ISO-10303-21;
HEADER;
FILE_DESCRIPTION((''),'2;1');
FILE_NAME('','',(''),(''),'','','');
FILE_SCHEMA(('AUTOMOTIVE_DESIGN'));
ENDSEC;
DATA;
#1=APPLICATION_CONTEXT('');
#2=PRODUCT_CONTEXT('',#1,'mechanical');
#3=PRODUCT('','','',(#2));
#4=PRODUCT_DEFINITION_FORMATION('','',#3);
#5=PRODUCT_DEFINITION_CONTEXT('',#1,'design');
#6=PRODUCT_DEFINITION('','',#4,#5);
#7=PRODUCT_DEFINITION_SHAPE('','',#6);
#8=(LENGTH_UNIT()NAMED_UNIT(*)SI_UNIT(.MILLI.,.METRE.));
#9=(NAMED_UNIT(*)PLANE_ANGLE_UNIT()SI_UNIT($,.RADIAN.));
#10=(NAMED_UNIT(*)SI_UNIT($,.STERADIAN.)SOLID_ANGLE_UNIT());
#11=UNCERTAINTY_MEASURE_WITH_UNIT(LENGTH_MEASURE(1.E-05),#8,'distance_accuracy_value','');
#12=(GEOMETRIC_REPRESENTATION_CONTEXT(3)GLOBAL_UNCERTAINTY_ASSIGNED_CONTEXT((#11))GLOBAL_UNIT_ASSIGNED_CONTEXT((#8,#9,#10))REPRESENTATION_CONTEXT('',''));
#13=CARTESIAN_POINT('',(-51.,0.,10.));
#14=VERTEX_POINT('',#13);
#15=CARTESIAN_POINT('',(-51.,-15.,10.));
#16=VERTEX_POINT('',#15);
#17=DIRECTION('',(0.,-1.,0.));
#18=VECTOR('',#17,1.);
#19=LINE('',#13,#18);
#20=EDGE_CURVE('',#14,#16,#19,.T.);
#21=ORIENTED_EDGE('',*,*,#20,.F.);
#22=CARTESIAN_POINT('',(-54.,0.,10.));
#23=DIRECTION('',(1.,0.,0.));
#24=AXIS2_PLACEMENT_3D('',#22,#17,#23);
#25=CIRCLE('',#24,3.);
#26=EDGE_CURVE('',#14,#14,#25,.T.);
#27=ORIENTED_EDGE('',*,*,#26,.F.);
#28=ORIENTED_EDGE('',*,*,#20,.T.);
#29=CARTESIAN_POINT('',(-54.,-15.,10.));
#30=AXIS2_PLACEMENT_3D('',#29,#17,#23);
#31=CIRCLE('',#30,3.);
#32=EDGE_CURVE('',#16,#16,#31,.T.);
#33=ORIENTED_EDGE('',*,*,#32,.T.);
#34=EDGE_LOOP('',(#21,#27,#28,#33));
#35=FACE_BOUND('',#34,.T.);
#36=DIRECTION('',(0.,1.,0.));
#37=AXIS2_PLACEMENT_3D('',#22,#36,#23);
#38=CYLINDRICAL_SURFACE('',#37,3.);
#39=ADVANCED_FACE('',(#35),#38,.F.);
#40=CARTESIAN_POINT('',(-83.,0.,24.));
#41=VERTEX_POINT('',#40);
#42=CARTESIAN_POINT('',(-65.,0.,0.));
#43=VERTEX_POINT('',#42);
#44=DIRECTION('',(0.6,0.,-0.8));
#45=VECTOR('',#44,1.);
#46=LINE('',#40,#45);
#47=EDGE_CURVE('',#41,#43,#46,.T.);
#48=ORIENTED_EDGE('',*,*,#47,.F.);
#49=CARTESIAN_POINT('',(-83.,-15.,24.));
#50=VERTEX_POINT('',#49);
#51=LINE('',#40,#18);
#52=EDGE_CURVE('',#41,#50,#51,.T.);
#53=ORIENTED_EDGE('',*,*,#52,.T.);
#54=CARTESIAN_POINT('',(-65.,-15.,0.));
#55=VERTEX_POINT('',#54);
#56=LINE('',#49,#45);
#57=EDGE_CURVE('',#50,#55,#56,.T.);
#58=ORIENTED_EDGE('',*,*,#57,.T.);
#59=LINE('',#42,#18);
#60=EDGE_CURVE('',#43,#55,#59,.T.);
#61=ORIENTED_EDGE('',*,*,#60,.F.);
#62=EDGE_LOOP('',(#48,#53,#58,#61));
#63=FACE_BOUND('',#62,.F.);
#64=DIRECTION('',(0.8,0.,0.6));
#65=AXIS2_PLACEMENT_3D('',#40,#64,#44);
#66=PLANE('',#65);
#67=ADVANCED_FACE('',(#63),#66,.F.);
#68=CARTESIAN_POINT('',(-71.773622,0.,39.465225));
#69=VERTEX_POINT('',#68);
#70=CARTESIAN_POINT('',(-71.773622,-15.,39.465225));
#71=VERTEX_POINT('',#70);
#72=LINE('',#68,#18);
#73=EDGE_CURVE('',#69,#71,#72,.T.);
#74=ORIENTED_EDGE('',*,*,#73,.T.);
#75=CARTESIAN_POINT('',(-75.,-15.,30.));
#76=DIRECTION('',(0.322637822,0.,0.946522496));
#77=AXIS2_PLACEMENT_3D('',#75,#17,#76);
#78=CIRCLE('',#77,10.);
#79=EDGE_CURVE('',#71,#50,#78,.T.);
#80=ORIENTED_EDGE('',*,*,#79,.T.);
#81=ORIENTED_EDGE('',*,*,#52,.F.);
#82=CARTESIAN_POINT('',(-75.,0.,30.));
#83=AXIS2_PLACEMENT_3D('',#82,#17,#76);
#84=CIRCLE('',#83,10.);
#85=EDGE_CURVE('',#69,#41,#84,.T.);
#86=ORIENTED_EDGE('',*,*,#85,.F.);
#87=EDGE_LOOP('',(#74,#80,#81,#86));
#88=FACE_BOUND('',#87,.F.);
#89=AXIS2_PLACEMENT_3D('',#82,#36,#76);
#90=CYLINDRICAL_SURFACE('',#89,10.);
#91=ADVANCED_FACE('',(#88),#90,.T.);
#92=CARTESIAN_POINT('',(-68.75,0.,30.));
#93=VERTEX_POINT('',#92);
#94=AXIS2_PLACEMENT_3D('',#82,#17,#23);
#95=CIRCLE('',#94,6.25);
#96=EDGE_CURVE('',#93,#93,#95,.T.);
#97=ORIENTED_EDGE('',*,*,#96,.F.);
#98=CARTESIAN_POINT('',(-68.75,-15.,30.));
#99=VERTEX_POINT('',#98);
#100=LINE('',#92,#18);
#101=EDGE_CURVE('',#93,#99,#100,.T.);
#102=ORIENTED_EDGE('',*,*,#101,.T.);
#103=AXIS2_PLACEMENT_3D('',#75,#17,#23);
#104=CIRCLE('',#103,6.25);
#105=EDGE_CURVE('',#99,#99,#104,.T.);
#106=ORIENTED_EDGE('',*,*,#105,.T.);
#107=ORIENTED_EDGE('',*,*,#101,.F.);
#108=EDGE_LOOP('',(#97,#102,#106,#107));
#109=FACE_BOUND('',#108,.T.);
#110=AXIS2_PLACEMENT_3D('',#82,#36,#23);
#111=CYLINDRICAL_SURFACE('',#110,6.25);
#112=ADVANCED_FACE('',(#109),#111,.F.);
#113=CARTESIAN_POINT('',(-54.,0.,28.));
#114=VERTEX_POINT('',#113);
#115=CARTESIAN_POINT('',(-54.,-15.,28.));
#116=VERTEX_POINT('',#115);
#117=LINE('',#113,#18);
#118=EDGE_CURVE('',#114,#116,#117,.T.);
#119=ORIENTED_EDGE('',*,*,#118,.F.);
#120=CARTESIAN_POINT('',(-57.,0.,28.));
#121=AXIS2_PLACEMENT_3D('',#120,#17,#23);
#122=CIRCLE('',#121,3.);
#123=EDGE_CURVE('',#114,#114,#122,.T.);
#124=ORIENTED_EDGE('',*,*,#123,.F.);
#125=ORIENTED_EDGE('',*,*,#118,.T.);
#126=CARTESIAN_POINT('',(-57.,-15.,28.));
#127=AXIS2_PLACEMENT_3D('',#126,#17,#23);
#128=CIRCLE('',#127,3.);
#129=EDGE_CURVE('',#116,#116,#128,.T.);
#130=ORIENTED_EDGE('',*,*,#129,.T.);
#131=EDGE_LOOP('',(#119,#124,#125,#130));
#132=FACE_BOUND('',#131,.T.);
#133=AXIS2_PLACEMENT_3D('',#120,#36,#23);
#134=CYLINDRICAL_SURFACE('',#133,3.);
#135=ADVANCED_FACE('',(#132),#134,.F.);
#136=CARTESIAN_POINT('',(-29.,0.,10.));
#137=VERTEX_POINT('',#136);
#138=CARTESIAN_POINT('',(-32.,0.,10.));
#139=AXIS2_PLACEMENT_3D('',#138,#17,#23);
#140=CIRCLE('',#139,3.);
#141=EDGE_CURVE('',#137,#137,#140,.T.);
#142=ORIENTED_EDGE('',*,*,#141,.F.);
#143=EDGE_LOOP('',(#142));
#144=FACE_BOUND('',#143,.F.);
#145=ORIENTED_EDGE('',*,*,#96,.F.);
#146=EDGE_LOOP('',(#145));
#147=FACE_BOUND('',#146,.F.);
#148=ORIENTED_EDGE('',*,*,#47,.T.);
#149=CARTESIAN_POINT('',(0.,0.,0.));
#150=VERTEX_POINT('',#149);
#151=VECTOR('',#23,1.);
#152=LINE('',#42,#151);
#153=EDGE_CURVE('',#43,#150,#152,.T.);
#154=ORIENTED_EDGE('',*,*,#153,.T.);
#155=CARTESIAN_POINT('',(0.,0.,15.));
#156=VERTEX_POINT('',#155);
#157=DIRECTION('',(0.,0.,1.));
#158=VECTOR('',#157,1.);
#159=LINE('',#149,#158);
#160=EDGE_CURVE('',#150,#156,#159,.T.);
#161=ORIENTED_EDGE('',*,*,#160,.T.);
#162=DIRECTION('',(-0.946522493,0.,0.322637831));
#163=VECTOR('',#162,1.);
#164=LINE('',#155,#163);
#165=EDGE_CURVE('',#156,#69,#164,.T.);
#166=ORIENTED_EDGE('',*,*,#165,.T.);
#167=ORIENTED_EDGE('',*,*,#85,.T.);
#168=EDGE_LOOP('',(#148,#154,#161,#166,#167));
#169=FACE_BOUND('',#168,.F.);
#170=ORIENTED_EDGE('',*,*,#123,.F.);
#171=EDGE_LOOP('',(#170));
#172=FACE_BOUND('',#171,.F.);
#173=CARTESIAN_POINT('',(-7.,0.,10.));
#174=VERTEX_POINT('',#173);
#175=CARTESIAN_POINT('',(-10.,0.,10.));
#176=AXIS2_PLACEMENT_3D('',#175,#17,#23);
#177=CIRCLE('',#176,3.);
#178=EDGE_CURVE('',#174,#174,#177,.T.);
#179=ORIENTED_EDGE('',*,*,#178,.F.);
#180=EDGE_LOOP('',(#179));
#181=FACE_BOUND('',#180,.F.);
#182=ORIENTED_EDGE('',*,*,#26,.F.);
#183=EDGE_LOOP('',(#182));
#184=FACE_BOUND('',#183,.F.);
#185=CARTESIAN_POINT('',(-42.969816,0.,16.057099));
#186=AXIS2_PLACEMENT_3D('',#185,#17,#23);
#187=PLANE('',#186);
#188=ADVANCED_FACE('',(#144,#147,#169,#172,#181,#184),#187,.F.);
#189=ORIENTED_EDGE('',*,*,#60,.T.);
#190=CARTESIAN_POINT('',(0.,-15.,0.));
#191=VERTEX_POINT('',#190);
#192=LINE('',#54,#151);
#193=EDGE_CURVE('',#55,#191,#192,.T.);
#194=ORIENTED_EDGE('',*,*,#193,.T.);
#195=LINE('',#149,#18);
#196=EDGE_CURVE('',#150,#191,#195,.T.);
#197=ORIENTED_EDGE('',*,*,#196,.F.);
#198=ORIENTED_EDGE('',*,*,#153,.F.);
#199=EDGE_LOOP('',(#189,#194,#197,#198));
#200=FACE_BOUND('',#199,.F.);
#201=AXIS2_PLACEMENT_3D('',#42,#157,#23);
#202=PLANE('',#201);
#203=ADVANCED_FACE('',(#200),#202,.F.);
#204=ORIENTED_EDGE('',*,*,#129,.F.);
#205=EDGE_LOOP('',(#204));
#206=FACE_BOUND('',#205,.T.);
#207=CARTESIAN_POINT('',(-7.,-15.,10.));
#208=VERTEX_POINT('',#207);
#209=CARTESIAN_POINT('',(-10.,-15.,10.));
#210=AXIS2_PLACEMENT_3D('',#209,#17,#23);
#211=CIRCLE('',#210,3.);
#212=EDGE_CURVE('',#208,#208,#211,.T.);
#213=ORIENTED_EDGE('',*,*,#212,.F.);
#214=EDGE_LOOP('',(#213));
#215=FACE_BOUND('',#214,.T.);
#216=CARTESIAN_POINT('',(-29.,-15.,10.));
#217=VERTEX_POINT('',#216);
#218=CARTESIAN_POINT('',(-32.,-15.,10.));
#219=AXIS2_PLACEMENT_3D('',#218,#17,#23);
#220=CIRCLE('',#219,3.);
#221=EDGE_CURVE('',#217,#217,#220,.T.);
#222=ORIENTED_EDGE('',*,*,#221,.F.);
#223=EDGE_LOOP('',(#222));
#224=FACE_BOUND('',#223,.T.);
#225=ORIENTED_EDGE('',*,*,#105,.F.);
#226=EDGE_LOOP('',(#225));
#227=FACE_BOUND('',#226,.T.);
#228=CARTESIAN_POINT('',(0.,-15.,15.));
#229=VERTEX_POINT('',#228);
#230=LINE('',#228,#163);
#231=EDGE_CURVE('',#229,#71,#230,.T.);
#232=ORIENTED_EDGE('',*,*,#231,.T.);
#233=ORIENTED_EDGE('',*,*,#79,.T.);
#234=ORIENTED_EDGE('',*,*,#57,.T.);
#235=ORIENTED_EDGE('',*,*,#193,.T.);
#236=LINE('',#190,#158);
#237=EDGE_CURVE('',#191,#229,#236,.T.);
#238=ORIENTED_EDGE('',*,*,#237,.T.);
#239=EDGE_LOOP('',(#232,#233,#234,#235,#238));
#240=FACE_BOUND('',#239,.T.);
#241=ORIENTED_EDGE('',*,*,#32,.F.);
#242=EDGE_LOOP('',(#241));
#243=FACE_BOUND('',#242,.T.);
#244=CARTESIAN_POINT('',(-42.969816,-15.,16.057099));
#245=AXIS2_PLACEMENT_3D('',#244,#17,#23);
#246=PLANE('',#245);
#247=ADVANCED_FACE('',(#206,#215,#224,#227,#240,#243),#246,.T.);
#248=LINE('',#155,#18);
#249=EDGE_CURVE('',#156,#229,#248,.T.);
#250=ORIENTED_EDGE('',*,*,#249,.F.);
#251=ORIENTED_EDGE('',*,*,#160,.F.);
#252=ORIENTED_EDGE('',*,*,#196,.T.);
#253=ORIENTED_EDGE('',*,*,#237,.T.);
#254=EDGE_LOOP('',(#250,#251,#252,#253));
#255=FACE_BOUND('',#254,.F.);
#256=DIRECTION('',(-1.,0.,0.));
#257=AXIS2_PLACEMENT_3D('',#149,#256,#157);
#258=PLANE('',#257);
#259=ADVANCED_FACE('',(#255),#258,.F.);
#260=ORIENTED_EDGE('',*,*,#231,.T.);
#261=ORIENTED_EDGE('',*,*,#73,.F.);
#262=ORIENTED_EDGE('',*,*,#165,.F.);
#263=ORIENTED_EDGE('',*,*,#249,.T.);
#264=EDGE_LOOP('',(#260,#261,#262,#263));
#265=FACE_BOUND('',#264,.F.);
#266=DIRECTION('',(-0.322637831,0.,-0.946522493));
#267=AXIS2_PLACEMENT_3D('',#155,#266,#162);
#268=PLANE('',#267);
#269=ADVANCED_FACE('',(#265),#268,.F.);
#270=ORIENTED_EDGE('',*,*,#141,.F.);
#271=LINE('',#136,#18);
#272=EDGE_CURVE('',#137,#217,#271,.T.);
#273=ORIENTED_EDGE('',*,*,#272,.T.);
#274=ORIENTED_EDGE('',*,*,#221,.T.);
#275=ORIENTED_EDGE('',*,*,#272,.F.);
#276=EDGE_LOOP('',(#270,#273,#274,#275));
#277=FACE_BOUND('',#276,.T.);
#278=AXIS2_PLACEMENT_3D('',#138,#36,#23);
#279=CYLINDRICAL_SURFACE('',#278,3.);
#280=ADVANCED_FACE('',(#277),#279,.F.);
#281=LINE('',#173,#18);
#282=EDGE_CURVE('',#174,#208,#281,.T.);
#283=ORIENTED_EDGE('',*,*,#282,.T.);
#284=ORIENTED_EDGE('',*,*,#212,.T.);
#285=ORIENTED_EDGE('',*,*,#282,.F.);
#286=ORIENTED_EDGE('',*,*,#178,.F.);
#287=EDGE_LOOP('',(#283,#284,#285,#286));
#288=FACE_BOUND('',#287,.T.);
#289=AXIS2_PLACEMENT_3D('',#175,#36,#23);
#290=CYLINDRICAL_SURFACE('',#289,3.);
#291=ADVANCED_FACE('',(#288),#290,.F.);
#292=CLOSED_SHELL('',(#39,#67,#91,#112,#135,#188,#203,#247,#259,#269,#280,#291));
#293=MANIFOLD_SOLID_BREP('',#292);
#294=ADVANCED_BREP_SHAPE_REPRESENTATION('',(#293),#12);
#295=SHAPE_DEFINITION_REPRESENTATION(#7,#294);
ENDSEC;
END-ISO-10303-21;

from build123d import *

# Parameters (mm, degrees)
F0_R     = 3
F0_R_2   = 6.25
F1_DEPTH = 15


with BuildPart() as f1:
    # F0 (on Front) → F1 (new body)
    with BuildSketch(Plane.XZ):
        with BuildLine():
            Line((-65, 0), (0, 0))
            Line((0, 0), (0, 15))
            Line((0, 15), (-71.773622, 39.465225))
            ThreePointArc((-71.773622, 39.465225), (-83.092599, 35.874508), (-83, 24))
            Line((-83, 24), (-65, 0))
        make_face()
        with Locations((-54, 10)):
            Circle(F0_R, mode=Mode.SUBTRACT)
        with Locations((-32, 10)):
            Circle(F0_R, mode=Mode.SUBTRACT)
        with Locations((-10, 10)):
            Circle(F0_R, mode=Mode.SUBTRACT)
        with Locations((-57, 28)):
            Circle(F0_R, mode=Mode.SUBTRACT)
        with Locations((-75, 30)):
            Circle(F0_R_2, mode=Mode.SUBTRACT)
    extrude(amount=F1_DEPTH)


solid = f1.part
